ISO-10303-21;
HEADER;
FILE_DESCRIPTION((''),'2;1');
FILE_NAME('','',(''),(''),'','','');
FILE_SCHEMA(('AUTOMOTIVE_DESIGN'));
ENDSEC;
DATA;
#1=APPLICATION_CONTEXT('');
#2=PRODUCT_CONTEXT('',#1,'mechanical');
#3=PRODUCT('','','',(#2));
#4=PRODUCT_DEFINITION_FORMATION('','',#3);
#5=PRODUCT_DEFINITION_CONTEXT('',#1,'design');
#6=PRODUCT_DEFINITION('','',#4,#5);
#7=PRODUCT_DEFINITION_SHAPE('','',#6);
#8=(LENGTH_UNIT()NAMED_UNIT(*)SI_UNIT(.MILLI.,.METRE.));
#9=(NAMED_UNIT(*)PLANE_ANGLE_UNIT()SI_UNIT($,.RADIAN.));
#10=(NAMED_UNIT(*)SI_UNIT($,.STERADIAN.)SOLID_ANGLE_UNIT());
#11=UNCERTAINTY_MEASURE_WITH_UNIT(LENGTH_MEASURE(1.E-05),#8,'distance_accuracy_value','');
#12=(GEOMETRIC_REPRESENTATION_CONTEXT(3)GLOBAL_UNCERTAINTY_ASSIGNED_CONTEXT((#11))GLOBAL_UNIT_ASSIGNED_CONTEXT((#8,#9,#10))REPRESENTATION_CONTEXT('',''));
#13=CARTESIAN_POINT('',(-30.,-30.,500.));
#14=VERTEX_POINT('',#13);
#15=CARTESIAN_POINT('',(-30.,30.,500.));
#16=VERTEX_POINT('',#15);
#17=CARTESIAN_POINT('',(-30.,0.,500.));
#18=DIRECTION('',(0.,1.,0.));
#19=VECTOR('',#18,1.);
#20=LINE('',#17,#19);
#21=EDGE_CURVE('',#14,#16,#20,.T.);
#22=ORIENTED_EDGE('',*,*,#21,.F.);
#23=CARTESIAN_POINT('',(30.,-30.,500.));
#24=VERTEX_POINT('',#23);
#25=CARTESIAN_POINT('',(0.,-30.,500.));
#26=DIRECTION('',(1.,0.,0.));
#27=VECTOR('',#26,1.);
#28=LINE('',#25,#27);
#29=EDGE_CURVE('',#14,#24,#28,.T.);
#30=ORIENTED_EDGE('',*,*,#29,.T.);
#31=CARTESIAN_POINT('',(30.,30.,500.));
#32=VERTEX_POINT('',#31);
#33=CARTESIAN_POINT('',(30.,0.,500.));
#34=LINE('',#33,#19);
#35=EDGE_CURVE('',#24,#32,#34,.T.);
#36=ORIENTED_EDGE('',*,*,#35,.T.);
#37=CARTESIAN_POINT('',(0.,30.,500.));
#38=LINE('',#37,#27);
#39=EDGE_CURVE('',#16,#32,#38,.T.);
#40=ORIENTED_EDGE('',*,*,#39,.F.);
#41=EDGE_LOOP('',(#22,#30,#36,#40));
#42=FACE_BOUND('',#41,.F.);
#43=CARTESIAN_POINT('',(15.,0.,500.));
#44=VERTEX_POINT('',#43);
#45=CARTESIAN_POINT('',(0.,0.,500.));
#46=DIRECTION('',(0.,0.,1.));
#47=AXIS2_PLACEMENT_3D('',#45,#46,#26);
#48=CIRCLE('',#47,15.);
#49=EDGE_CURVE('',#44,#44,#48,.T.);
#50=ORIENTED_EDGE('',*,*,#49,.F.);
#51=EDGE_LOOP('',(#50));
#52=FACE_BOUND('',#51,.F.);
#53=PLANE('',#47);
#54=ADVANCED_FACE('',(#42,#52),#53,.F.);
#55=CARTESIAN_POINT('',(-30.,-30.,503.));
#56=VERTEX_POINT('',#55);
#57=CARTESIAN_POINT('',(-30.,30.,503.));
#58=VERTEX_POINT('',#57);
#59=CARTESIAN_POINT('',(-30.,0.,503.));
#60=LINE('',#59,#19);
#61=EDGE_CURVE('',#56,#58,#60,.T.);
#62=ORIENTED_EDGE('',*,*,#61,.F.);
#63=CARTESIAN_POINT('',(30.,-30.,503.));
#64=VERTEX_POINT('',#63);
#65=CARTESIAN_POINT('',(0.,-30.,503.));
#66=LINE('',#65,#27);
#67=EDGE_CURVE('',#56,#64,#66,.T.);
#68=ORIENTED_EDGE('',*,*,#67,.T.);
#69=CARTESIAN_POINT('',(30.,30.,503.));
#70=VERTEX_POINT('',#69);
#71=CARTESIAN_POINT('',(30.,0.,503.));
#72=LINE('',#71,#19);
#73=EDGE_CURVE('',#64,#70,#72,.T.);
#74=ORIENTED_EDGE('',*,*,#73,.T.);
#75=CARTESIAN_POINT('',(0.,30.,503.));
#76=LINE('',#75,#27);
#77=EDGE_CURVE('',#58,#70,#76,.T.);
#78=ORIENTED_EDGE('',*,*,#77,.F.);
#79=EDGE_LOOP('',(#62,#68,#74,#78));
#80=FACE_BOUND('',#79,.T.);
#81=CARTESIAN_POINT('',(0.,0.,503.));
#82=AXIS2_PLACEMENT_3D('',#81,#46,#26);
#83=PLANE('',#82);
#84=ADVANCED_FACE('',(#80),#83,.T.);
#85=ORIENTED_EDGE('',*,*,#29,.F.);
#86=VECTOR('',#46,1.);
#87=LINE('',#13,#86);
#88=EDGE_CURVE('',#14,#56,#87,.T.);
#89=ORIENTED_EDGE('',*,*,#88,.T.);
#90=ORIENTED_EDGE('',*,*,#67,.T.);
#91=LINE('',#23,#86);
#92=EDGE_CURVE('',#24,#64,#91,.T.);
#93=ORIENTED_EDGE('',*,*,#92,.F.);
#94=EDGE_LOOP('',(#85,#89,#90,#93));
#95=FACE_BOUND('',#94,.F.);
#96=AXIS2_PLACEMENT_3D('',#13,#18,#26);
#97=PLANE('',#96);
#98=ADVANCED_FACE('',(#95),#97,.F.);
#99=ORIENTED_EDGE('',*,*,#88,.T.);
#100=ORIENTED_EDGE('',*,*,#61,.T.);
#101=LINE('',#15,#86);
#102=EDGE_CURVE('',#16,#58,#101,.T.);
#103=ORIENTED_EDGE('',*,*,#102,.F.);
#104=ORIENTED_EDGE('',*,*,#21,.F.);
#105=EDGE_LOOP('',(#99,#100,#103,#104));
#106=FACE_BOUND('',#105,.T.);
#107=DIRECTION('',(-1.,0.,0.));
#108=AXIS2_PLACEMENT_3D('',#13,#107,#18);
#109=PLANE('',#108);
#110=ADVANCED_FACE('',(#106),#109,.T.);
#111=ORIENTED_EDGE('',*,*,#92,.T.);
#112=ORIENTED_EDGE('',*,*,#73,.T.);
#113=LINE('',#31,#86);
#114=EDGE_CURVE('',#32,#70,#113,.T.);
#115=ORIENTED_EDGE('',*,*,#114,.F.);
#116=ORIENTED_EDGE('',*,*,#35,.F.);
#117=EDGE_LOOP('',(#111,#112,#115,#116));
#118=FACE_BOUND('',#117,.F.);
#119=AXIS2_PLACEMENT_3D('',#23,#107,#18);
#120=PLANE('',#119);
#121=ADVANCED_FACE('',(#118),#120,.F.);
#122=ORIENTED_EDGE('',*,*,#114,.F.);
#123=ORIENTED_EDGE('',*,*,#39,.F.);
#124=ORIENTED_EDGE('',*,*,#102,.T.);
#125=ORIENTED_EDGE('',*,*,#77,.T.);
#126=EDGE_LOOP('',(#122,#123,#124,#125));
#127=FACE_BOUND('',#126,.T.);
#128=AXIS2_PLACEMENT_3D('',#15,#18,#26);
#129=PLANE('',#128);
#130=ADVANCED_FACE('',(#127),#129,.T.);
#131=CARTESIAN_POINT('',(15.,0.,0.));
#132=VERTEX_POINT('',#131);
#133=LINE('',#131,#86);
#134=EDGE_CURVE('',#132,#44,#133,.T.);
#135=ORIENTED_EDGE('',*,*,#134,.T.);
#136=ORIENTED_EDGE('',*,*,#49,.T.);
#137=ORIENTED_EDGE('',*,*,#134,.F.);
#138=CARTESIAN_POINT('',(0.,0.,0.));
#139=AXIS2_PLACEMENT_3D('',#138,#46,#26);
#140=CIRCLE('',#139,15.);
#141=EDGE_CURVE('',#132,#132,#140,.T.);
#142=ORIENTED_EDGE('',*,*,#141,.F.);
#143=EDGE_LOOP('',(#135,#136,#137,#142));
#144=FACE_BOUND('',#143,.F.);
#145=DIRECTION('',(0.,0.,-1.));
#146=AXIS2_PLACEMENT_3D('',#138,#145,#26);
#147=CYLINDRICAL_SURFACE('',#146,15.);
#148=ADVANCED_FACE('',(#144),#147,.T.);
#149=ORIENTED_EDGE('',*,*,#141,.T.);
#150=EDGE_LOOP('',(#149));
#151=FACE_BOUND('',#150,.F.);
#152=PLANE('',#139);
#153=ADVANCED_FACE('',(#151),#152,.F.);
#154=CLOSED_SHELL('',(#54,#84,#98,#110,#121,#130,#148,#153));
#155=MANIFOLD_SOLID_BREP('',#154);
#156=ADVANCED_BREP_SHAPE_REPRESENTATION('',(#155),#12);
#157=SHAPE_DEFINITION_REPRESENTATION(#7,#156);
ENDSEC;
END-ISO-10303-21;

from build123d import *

# Parameters (mm, degrees)
F0_R     = 15
F1_DEPTH = 500
F2_W     = 60
F2_H     = 60
F2_R     = 15
F3_DEPTH = 3


with BuildPart() as f1:
    # F0 (on Top) → F1 (new body)
    with BuildSketch(Plane.XY):
        Circle(F0_R)
    extrude(amount=F1_DEPTH)

    # F2 (on face) → F3 (join)
    with BuildSketch(Plane.XY.offset(500)):
        Rectangle(F2_W, F2_H)
        Circle(F2_R, mode=Mode.SUBTRACT)
        Rectangle(F2_W, F2_H)
    extrude(amount=F3_DEPTH)


solid = f1.part
